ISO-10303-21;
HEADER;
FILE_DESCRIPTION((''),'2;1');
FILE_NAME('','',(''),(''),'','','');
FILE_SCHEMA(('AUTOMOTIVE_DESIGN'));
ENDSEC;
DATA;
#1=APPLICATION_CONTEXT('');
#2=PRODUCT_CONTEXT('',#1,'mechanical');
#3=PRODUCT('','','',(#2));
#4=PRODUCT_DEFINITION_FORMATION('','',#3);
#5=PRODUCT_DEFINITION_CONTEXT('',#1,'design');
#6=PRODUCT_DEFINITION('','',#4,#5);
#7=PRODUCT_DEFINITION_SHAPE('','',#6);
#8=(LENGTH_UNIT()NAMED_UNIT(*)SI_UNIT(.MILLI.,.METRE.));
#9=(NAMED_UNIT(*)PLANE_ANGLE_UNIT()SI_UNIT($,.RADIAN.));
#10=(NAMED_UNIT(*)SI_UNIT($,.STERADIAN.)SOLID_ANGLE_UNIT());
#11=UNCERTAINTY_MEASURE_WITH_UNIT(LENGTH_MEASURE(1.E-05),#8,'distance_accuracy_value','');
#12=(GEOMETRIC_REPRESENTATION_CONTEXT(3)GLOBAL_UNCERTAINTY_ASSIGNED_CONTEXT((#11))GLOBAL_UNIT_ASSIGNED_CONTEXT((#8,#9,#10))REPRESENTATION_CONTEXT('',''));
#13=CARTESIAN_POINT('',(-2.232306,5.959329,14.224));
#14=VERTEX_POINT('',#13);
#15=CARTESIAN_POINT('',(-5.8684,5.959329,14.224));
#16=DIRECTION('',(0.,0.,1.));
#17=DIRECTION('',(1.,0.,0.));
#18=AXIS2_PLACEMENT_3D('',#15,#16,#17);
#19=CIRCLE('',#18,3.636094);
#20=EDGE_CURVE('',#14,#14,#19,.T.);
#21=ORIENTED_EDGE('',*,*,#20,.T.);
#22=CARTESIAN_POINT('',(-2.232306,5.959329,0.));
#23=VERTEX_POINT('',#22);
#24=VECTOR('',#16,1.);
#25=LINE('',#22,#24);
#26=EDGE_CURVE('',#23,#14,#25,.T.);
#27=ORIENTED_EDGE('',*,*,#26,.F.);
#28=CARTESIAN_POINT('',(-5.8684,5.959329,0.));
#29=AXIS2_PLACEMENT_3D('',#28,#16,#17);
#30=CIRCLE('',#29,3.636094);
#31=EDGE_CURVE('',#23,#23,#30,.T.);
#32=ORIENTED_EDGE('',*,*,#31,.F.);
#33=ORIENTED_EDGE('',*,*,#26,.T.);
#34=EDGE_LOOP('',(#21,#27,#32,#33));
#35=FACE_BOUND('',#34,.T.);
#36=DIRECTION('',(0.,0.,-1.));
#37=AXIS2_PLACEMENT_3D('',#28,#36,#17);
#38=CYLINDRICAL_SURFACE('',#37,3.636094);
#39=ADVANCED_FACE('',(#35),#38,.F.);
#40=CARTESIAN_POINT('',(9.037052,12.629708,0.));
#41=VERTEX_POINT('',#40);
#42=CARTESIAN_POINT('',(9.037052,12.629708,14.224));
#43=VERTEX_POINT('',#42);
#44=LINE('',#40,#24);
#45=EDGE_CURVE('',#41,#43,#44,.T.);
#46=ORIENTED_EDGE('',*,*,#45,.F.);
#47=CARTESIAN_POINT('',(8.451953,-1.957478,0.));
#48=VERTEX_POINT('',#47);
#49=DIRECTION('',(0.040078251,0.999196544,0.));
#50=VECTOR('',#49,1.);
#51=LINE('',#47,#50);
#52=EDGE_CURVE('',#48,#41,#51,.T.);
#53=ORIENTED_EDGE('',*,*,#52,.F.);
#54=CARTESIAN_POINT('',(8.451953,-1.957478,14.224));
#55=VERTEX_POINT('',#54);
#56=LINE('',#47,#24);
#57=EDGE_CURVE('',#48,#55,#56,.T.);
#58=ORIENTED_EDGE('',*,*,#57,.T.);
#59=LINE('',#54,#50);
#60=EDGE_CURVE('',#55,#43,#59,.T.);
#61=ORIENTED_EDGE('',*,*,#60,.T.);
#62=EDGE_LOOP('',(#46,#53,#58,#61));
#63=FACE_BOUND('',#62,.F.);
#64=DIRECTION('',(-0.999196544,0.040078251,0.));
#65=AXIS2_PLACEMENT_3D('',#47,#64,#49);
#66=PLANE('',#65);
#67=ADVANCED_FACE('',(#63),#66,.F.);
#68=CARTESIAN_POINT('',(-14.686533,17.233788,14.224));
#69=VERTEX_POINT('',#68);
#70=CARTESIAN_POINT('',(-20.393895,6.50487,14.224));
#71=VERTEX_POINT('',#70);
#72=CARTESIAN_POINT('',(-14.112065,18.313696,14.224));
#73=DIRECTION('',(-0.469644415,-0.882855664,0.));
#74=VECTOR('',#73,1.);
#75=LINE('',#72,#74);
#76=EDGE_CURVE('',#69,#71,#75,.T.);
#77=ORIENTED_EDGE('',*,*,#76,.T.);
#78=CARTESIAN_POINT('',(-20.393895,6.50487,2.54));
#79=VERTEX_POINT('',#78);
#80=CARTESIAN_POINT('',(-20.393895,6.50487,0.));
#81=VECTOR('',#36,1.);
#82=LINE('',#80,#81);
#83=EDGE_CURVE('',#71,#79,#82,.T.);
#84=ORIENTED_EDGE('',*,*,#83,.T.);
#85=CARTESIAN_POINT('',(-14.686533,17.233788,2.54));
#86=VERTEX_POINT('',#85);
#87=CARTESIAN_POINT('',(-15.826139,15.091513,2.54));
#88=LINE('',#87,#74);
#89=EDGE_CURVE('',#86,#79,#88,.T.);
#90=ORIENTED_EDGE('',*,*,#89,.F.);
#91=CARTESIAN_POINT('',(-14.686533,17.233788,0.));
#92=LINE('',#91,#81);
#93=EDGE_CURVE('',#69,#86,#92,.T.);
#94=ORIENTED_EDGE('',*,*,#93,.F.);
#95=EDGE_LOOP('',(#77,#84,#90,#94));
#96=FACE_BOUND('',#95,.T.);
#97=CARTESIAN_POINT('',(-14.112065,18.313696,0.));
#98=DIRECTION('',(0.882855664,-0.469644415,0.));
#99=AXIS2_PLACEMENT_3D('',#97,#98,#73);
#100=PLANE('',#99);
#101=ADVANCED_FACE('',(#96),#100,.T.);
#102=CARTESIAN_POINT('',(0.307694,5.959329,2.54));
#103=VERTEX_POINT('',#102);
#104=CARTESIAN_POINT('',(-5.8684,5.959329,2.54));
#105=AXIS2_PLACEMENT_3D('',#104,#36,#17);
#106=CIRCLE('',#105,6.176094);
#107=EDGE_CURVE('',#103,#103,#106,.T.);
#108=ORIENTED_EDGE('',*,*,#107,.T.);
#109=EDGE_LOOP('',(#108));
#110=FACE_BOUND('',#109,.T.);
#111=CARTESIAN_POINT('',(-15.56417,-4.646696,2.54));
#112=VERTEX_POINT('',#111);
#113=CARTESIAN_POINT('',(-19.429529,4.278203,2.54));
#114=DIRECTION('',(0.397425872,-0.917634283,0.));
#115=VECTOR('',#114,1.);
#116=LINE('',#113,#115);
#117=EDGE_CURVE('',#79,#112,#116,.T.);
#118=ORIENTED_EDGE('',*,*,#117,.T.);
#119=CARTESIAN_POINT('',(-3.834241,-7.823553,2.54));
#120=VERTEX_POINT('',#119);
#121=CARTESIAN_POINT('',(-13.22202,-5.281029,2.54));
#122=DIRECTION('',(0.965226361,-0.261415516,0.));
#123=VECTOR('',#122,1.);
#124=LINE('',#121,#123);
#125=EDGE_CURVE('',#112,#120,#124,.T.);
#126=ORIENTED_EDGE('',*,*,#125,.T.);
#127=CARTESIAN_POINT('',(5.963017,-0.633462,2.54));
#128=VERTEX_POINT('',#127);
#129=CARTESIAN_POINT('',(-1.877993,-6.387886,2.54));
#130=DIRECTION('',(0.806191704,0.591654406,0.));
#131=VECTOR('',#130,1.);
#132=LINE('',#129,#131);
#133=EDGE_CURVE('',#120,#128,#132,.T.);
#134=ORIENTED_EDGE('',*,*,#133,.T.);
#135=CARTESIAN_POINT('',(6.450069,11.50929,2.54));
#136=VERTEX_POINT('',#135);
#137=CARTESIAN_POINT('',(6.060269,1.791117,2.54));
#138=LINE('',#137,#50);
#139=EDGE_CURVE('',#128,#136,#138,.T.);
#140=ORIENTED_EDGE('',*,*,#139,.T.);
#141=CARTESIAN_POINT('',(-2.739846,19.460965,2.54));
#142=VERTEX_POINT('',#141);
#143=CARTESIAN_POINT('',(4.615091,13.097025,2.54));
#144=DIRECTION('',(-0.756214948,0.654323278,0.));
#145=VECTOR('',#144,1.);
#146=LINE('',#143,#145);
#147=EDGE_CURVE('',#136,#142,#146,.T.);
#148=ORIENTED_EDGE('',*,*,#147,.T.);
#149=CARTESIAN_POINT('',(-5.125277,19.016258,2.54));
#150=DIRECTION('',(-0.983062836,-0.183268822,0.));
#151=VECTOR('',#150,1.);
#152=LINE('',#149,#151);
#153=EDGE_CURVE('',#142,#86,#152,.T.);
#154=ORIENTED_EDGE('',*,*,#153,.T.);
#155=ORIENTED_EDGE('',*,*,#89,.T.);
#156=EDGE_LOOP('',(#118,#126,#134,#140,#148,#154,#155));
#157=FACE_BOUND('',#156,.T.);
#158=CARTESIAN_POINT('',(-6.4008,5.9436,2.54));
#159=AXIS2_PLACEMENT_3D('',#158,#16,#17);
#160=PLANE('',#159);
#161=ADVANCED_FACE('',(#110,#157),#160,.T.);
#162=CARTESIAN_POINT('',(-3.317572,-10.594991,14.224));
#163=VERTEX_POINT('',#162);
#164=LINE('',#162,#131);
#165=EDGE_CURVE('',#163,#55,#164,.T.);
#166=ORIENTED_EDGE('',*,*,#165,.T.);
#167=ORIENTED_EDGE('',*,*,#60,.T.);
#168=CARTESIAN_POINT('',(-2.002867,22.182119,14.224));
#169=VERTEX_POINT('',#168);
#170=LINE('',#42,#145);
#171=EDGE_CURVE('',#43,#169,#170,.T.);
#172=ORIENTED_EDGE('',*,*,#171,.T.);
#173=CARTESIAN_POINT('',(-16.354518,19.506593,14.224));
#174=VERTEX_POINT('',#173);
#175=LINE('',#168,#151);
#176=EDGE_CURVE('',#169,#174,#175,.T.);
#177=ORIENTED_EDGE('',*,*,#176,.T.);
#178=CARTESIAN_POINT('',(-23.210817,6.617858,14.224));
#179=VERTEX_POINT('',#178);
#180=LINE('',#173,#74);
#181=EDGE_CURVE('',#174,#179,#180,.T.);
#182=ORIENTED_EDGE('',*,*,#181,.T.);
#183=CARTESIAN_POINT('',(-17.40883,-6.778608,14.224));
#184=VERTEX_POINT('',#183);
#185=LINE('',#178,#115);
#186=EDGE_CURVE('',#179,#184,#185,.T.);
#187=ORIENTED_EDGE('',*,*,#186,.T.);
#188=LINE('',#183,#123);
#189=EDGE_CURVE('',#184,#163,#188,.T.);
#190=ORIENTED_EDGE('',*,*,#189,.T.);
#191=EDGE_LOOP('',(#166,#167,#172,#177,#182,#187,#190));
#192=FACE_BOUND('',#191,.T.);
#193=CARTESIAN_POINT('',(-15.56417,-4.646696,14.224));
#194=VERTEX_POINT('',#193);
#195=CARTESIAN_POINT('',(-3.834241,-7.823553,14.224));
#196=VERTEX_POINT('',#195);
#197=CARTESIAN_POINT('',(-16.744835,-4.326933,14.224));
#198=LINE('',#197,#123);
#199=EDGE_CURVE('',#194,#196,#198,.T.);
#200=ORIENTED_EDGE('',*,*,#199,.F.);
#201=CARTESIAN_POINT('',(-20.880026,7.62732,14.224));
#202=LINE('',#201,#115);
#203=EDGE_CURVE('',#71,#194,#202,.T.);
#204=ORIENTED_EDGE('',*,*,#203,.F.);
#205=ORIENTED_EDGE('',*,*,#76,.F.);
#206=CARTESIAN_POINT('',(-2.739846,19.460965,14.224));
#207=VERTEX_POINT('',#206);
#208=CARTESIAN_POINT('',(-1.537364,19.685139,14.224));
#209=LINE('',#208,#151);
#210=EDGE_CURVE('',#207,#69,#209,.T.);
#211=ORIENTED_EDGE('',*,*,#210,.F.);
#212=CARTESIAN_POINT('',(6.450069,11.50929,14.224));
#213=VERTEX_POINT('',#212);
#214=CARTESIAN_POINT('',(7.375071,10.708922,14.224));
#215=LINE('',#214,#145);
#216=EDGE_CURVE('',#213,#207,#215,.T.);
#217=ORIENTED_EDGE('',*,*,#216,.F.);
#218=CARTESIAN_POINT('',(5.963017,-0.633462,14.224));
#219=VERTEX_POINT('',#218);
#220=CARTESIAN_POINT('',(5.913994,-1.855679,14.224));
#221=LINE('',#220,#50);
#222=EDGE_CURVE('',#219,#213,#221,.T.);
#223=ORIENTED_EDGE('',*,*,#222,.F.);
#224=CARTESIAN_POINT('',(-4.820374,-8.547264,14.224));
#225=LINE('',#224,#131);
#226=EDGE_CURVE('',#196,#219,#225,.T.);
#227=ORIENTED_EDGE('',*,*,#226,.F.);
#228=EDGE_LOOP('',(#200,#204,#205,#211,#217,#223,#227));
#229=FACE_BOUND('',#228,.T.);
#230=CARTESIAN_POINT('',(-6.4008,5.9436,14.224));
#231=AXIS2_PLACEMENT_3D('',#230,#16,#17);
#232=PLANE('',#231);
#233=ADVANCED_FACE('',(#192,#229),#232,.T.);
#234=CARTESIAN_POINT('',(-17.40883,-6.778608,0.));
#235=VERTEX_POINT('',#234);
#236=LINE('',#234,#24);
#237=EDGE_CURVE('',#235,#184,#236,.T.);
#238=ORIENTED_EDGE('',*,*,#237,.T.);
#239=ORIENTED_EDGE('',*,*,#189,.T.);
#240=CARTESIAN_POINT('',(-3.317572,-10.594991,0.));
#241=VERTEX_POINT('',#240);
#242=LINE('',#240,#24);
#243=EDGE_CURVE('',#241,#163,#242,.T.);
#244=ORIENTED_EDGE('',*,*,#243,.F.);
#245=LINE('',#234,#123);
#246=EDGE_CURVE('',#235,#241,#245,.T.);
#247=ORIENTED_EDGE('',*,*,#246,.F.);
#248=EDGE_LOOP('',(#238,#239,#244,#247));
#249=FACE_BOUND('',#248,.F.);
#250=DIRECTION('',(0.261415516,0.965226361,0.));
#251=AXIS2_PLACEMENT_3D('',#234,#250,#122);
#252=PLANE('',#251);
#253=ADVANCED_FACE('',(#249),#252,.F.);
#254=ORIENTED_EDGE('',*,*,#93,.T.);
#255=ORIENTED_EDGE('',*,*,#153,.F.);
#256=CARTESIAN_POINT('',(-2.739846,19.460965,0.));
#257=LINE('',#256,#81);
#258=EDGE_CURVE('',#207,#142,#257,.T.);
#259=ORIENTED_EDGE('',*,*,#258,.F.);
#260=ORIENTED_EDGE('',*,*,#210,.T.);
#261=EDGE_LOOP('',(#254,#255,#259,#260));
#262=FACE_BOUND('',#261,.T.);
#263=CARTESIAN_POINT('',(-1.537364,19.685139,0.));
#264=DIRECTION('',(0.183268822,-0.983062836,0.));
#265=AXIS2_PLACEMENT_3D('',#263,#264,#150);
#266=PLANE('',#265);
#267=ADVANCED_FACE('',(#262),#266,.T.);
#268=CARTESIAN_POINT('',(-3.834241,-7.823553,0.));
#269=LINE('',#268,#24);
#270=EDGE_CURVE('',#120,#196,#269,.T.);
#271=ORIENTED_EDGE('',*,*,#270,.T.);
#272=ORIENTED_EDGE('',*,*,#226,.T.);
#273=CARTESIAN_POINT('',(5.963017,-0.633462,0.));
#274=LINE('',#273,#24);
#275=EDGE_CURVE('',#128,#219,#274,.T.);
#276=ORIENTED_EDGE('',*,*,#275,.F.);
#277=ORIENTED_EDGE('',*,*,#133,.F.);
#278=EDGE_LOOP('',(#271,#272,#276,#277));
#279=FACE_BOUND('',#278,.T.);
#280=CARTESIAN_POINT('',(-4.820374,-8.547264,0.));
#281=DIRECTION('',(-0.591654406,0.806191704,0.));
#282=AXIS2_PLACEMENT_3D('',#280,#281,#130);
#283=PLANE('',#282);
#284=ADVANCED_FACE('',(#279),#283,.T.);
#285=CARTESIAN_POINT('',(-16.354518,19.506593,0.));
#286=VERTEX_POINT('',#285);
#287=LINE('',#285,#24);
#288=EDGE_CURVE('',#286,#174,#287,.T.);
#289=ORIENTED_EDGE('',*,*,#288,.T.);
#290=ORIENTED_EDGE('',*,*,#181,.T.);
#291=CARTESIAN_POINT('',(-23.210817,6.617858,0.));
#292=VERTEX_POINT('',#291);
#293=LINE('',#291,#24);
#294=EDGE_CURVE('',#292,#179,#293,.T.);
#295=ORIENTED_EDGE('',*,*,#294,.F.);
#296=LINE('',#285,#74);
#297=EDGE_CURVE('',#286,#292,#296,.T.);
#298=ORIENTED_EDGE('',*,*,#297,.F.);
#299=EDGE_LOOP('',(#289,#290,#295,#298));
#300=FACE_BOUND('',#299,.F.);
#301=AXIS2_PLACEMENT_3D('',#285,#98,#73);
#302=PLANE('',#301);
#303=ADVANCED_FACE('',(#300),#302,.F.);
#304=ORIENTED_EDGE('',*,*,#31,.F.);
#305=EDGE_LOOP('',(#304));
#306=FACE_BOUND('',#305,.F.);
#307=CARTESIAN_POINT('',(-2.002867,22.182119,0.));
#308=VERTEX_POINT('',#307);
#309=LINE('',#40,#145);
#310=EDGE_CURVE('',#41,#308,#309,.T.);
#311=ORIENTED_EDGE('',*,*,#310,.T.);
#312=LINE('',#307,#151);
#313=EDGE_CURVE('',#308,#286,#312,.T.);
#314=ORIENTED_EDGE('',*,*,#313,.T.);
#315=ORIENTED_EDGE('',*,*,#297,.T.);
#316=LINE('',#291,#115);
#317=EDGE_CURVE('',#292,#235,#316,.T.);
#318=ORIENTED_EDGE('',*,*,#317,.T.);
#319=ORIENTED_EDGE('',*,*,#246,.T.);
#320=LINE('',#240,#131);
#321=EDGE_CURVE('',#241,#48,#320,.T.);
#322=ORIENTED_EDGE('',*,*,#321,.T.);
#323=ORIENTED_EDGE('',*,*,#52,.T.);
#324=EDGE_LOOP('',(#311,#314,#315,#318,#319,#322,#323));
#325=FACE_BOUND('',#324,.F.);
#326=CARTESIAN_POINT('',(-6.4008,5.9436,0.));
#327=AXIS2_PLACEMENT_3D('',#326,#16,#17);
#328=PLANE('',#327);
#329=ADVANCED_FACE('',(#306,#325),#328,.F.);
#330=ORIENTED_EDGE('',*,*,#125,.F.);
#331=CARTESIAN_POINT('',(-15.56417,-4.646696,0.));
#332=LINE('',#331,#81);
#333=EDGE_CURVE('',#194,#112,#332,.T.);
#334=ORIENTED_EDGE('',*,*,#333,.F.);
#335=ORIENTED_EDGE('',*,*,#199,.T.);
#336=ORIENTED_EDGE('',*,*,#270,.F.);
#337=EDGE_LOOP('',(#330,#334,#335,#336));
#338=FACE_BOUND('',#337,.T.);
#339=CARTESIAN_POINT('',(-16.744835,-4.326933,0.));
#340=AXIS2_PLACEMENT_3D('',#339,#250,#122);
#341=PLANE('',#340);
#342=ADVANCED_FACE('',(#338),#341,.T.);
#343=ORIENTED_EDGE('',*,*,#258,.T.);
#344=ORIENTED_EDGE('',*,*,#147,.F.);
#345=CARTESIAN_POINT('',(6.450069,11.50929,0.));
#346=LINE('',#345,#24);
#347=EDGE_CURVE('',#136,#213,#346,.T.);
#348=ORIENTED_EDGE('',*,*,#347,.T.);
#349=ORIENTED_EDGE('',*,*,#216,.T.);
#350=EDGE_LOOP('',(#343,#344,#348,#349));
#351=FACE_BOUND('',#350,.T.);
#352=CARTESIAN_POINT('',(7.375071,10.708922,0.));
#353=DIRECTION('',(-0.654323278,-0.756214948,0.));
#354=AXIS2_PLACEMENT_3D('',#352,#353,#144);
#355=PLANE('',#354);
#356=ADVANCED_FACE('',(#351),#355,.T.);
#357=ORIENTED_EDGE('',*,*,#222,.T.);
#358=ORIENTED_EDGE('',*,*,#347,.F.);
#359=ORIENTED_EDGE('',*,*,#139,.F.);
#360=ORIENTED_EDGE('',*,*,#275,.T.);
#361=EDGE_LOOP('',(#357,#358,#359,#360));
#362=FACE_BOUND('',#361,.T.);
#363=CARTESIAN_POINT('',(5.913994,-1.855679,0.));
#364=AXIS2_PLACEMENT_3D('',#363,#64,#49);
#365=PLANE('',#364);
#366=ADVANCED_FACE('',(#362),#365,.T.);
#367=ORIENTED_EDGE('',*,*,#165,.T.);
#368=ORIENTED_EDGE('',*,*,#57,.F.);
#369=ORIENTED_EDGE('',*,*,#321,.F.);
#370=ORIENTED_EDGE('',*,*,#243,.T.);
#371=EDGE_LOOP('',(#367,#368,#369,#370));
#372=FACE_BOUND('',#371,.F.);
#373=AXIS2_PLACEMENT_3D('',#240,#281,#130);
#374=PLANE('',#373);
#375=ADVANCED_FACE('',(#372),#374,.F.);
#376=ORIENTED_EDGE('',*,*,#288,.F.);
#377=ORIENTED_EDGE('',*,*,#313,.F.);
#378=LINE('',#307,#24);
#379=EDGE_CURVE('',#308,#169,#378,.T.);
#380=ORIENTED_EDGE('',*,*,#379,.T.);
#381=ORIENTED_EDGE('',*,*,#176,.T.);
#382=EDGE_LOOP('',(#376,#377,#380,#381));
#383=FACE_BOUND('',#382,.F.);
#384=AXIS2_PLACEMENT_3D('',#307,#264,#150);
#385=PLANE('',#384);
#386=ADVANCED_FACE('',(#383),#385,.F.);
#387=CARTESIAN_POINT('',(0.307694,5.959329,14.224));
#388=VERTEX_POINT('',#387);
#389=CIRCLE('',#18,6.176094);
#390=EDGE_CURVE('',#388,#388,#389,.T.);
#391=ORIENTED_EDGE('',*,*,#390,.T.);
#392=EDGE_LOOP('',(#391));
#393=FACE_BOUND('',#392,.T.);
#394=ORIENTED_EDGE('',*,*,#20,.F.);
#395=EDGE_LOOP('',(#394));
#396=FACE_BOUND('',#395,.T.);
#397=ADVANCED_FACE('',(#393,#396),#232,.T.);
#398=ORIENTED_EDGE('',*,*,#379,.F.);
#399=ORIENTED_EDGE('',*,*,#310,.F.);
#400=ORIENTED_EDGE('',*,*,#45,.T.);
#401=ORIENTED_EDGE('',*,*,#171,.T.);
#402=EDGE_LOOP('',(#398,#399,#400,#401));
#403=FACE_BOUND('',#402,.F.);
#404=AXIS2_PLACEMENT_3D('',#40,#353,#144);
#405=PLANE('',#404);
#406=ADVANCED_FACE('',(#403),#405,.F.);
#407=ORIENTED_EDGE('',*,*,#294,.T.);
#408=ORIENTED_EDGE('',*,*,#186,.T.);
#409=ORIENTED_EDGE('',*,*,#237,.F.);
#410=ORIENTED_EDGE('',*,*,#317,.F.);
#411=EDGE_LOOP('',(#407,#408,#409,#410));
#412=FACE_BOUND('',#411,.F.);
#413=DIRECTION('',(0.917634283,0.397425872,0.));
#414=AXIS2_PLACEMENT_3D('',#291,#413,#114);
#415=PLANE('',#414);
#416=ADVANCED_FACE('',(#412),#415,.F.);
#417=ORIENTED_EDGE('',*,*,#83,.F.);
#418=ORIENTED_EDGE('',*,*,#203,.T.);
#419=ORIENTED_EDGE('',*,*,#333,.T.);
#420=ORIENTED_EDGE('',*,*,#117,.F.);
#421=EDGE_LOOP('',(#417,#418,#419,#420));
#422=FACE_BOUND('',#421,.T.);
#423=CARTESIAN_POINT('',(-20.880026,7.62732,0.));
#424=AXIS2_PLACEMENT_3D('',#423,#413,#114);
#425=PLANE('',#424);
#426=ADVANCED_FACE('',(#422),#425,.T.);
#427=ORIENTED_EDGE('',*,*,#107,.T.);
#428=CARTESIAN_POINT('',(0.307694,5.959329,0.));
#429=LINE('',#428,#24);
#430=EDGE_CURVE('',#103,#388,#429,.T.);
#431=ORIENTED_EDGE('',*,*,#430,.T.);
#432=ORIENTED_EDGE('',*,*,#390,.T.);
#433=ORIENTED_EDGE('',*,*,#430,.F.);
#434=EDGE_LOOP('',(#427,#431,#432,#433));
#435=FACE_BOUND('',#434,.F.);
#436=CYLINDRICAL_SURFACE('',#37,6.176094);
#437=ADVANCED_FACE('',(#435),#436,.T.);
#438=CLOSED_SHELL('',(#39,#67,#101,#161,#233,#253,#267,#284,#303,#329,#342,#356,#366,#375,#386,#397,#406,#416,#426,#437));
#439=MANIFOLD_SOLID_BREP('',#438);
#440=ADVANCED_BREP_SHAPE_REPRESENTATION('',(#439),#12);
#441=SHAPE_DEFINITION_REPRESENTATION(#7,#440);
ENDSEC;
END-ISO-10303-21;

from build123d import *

# Parameters (mm, degrees)
F0_R     = 3.636094
F1_DEPTH = 14.224
F2_T     = -2.54


with BuildPart() as f1:
    # F0 (on Top) → F1 (new body)
    with BuildSketch(Plane.XY):
        Polygon((-17.40883, -6.778608), (-3.317572, -10.594991), (8.451953, -1.957478), (9.037052, 12.629708), (-2.002867, 22.182119), (-16.354518, 19.506593), (-23.210817, 6.617858), align=None)
        with Locations((-5.8684, 5.959329)):
            Circle(F0_R, mode=Mode.SUBTRACT)
    extrude(amount=F1_DEPTH)

    # F2
    f2_openings = [f1.faces().sort_by_distance(p)[0] for p in [
        (-10.242999, -8.242978, 14.224),
    ]]
    offset(amount=F2_T, openings=f2_openings)


solid = f1.part
